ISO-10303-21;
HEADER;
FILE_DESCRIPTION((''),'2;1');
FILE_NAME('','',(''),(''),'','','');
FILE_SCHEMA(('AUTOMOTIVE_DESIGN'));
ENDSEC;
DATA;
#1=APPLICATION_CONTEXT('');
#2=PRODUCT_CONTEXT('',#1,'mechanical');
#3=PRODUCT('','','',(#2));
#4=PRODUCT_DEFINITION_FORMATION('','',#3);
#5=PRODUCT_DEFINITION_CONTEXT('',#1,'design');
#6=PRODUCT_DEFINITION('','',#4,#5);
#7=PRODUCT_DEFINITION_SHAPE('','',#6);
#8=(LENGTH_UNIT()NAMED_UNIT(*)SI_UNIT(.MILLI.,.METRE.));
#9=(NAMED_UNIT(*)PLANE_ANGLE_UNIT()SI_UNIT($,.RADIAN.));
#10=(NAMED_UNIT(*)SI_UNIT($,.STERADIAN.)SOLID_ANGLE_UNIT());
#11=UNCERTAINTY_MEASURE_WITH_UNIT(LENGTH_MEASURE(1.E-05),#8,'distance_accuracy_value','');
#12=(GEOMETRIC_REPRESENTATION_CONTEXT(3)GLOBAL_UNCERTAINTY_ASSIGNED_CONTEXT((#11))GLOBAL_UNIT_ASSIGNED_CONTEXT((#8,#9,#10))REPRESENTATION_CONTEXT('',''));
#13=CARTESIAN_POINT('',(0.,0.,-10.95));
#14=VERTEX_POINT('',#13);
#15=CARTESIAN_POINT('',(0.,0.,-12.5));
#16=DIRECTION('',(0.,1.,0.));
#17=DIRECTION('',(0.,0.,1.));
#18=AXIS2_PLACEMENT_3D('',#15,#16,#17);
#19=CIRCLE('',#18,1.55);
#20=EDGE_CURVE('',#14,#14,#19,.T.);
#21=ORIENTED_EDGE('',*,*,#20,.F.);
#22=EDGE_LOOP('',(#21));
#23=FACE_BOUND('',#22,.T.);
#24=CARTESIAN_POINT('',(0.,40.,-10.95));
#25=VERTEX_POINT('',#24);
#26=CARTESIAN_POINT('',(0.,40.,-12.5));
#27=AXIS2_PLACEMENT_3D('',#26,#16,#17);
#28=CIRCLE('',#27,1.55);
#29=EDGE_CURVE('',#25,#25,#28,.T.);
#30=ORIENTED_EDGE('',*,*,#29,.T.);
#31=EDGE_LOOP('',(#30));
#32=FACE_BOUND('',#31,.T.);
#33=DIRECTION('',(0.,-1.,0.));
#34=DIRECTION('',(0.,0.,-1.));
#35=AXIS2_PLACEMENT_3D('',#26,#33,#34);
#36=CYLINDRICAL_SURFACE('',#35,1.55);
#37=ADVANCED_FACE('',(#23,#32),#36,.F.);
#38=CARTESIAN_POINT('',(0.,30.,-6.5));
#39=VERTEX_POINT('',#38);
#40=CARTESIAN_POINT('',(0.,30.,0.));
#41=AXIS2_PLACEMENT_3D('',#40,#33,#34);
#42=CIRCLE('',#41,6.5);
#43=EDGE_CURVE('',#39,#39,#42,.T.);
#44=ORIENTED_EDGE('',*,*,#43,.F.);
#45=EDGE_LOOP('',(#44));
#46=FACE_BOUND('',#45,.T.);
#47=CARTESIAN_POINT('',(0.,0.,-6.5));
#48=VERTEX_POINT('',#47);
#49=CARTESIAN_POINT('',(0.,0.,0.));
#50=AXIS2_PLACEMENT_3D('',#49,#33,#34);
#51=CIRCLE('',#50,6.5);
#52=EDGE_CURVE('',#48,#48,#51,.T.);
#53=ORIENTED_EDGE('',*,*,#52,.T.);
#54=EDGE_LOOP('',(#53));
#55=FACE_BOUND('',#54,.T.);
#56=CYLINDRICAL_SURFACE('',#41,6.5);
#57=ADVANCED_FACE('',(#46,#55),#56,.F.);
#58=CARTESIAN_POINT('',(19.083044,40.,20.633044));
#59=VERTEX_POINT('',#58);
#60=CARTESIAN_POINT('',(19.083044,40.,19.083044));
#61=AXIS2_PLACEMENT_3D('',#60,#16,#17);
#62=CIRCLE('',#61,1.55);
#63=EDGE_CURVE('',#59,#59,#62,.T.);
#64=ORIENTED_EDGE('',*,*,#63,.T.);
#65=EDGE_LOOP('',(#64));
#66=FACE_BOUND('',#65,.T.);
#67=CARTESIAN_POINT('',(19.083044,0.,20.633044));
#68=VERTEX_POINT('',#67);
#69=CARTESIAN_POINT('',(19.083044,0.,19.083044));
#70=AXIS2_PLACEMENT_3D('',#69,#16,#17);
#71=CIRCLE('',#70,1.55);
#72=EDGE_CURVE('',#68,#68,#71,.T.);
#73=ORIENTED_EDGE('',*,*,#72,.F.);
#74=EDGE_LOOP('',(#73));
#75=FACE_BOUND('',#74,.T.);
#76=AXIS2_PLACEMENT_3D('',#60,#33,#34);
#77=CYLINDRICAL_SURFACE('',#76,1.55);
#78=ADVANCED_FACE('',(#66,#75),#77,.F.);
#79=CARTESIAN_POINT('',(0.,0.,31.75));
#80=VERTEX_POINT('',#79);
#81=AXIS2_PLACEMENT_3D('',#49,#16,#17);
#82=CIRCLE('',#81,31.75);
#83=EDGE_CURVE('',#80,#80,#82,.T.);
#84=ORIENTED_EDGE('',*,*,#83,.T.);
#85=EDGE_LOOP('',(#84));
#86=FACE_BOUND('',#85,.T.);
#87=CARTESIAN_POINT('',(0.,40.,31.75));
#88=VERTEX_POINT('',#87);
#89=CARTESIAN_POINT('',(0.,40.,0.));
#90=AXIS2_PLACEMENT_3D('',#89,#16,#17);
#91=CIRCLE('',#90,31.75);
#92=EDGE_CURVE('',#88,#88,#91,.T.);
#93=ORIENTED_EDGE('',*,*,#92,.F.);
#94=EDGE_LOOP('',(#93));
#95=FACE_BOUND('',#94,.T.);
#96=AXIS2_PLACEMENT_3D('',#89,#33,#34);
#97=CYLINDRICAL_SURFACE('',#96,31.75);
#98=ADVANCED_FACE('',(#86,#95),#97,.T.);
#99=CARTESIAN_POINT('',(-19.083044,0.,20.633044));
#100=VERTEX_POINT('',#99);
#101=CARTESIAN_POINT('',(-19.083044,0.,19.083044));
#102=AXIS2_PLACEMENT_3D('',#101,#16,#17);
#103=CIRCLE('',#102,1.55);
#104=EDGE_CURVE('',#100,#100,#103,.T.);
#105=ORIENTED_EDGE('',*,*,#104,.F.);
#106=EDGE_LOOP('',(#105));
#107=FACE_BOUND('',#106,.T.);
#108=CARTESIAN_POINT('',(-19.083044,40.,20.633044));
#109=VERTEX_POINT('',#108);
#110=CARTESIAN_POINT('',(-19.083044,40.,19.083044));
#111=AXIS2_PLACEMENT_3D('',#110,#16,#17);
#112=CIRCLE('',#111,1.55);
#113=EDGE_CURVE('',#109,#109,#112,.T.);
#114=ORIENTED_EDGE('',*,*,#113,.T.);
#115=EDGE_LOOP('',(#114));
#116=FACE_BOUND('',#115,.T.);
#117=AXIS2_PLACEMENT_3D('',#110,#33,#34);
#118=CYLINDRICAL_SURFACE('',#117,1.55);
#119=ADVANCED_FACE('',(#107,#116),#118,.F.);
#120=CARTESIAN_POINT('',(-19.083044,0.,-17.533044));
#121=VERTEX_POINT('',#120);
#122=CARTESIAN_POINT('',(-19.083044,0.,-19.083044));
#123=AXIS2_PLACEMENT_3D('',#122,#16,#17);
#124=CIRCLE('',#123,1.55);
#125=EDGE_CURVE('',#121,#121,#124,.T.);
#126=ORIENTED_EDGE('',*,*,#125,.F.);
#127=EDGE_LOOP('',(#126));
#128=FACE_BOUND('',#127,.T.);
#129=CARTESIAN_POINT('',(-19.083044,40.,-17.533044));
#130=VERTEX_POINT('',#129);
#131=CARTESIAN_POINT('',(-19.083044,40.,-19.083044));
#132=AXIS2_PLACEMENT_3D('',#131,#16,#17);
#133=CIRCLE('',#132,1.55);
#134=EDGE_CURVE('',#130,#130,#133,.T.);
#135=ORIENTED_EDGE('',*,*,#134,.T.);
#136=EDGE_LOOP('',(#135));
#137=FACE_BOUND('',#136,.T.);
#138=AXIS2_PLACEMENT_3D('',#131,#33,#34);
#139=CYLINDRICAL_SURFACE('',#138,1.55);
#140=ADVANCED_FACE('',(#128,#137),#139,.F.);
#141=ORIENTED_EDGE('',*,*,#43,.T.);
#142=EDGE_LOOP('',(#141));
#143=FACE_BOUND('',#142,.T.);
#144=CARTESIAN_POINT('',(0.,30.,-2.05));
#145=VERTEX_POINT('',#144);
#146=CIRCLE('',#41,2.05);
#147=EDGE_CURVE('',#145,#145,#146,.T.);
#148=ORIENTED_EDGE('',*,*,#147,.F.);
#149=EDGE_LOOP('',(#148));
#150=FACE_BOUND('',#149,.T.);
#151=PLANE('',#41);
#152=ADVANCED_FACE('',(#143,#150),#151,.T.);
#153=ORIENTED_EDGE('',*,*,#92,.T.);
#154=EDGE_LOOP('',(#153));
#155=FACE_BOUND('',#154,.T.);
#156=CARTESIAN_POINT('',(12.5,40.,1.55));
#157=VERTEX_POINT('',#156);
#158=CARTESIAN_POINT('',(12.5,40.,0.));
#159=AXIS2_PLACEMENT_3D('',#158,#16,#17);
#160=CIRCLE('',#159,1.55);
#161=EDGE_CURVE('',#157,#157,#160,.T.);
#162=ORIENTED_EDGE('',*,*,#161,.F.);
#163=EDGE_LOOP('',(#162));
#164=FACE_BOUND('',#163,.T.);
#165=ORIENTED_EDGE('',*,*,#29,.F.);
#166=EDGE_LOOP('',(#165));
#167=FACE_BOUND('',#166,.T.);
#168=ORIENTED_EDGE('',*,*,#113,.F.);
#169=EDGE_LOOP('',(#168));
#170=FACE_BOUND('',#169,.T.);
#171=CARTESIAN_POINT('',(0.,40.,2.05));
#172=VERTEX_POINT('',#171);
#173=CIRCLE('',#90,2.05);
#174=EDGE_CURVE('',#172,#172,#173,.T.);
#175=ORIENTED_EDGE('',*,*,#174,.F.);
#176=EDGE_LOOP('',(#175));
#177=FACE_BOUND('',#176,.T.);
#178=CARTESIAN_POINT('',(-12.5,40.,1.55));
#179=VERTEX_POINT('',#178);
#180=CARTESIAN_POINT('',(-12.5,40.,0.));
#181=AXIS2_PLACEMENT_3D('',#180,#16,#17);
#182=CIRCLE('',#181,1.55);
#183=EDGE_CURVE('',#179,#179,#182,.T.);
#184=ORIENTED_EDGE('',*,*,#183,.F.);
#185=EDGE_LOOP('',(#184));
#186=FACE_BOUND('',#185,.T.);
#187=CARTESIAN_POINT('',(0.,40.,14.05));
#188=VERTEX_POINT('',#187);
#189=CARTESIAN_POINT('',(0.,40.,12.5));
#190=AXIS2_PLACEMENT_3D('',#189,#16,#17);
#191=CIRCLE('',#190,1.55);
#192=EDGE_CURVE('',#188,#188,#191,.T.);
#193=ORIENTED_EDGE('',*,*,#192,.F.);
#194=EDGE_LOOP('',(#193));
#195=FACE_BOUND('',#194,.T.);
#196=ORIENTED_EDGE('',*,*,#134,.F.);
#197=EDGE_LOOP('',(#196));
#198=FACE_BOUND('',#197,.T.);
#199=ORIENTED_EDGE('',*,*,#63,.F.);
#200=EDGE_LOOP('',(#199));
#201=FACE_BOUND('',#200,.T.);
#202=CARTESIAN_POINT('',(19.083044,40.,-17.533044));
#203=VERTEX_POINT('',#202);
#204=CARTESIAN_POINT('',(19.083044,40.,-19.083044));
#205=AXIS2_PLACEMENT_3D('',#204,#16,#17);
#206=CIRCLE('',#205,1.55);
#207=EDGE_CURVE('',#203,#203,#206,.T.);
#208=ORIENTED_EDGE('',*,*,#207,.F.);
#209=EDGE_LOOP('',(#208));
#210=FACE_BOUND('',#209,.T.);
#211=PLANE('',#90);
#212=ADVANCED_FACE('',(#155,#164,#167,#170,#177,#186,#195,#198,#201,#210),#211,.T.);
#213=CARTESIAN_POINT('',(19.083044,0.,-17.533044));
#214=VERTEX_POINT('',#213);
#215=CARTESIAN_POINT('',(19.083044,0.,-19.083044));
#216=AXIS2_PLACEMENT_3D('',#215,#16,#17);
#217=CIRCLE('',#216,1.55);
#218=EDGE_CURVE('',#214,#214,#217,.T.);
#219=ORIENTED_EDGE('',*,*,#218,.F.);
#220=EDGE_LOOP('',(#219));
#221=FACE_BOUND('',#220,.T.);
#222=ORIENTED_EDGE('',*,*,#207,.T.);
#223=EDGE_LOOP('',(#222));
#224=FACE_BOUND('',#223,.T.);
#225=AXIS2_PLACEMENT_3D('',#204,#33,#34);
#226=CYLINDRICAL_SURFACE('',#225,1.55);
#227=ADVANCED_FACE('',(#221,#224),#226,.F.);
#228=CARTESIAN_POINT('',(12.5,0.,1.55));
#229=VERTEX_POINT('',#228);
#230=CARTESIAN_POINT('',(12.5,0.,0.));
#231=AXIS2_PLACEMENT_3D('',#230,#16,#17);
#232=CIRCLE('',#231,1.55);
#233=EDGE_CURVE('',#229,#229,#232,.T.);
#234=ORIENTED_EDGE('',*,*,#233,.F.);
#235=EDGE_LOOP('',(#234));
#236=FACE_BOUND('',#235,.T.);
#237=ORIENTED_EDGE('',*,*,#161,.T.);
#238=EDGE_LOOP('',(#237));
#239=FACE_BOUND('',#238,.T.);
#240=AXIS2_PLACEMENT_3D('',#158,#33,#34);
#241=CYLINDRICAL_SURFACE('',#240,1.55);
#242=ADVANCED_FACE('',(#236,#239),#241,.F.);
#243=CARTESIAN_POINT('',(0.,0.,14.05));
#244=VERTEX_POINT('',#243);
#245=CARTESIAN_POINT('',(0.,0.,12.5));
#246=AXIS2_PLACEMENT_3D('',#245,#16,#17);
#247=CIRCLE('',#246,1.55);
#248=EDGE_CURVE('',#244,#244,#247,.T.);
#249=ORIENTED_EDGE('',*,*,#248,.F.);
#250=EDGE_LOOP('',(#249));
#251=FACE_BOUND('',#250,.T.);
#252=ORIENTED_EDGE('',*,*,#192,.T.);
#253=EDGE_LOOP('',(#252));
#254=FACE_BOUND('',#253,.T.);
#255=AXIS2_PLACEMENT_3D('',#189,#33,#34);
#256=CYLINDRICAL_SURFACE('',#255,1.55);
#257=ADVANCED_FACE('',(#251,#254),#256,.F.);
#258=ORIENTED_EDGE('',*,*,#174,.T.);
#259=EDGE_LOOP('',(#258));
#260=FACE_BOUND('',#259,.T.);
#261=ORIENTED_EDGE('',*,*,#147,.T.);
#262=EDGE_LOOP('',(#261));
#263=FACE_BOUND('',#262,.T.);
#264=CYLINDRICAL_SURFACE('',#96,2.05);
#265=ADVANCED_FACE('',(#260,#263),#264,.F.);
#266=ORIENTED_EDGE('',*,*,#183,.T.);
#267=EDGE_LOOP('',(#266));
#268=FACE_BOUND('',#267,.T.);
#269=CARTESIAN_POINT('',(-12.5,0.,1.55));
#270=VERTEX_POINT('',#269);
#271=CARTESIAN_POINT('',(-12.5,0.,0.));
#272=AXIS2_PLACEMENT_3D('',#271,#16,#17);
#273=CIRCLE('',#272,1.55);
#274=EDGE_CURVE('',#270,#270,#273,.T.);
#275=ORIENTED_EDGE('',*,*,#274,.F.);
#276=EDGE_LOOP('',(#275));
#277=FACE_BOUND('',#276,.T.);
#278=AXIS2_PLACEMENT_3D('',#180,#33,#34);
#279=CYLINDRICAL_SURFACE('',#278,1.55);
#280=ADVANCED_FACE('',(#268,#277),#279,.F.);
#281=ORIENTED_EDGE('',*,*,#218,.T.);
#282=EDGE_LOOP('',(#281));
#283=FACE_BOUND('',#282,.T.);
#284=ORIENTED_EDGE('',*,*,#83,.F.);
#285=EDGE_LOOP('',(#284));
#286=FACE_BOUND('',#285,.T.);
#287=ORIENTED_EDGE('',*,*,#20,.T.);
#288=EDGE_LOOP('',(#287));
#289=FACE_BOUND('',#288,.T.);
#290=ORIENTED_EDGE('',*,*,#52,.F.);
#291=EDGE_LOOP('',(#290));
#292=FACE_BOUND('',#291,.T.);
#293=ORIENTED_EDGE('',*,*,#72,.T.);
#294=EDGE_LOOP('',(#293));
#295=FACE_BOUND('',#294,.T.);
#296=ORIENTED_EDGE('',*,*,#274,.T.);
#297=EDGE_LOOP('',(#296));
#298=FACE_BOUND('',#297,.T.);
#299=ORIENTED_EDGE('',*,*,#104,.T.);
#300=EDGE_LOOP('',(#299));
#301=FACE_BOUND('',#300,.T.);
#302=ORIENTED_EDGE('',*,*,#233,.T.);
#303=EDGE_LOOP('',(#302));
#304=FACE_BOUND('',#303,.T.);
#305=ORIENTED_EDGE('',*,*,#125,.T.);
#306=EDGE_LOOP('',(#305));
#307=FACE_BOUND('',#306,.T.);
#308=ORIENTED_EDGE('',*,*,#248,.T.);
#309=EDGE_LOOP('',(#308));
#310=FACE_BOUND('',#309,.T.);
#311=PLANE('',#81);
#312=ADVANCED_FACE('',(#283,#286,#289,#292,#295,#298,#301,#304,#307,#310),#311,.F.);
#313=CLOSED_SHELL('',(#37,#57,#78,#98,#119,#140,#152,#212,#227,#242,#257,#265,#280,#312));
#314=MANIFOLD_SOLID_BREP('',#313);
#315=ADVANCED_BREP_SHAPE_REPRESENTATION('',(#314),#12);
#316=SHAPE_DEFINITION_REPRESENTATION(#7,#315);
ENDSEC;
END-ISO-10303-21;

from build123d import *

# Parameters (mm, degrees)
SKETCH1_R           = 31.75
SKETCH1_R_2         = 2.05
SKETCH1_R_3         = 1.55
BOSS_EXTRUDE1_DEPTH = 40
SKETCH2_R           = 6.5
CUT_EXTRUDE1_DEPTH  = 30


with BuildPart() as part:
    # Sketch1 → Boss-Extrude1 (new body)
    with BuildSketch(Plane(origin=(0, 0, 0), x_dir=(1, 0, 0), z_dir=(0, 1, 0))):
        with Locations(Location((0, 0, 0), (0, 0, 270))):
            Circle(SKETCH1_R)
        with Locations(Location((0, 0, 0), (0, 0, 270))):
            Circle(SKETCH1_R_2, mode=Mode.SUBTRACT)
        with Locations(Location((0, 12.5, 0), (0, 0, 270))):
            Circle(SKETCH1_R_3, mode=Mode.SUBTRACT)
        with Locations(Location((12.5, 0, 0), (0, 0, 270))):
            Circle(SKETCH1_R_3, mode=Mode.SUBTRACT)
        with Locations(Location((0, -12.5, 0), (0, 0, 270))):
            Circle(SKETCH1_R_3, mode=Mode.SUBTRACT)
        with Locations(Location((-12.5, 0, 0), (0, 0, 270))):
            Circle(SKETCH1_R_3, mode=Mode.SUBTRACT)
        with Locations(Location((19.083044257, 19.083044257, 0), (0, 0, 270))):
            Circle(SKETCH1_R_3, mode=Mode.SUBTRACT)
        with Locations(Location((19.083044257, -19.083044257, 0), (0, 0, 270))):
            Circle(SKETCH1_R_3, mode=Mode.SUBTRACT)
        with Locations(Location((-19.083044257, -19.083044257, 0), (0, 0, 270))):
            Circle(SKETCH1_R_3, mode=Mode.SUBTRACT)
        with Locations(Location((-19.083044257, 19.083044257, 0), (0, 0, 270))):
            Circle(SKETCH1_R_3, mode=Mode.SUBTRACT)
    extrude(amount=BOSS_EXTRUDE1_DEPTH)

    # Sketch2 → Cut-Extrude1 (cut)
    with BuildSketch(Plane.XZ):
        with Locations(Location((0, 0, 0), (0, 0, 270))):
            Circle(SKETCH2_R)
    extrude(amount=-CUT_EXTRUDE1_DEPTH, mode=Mode.SUBTRACT)


solid = part.part
